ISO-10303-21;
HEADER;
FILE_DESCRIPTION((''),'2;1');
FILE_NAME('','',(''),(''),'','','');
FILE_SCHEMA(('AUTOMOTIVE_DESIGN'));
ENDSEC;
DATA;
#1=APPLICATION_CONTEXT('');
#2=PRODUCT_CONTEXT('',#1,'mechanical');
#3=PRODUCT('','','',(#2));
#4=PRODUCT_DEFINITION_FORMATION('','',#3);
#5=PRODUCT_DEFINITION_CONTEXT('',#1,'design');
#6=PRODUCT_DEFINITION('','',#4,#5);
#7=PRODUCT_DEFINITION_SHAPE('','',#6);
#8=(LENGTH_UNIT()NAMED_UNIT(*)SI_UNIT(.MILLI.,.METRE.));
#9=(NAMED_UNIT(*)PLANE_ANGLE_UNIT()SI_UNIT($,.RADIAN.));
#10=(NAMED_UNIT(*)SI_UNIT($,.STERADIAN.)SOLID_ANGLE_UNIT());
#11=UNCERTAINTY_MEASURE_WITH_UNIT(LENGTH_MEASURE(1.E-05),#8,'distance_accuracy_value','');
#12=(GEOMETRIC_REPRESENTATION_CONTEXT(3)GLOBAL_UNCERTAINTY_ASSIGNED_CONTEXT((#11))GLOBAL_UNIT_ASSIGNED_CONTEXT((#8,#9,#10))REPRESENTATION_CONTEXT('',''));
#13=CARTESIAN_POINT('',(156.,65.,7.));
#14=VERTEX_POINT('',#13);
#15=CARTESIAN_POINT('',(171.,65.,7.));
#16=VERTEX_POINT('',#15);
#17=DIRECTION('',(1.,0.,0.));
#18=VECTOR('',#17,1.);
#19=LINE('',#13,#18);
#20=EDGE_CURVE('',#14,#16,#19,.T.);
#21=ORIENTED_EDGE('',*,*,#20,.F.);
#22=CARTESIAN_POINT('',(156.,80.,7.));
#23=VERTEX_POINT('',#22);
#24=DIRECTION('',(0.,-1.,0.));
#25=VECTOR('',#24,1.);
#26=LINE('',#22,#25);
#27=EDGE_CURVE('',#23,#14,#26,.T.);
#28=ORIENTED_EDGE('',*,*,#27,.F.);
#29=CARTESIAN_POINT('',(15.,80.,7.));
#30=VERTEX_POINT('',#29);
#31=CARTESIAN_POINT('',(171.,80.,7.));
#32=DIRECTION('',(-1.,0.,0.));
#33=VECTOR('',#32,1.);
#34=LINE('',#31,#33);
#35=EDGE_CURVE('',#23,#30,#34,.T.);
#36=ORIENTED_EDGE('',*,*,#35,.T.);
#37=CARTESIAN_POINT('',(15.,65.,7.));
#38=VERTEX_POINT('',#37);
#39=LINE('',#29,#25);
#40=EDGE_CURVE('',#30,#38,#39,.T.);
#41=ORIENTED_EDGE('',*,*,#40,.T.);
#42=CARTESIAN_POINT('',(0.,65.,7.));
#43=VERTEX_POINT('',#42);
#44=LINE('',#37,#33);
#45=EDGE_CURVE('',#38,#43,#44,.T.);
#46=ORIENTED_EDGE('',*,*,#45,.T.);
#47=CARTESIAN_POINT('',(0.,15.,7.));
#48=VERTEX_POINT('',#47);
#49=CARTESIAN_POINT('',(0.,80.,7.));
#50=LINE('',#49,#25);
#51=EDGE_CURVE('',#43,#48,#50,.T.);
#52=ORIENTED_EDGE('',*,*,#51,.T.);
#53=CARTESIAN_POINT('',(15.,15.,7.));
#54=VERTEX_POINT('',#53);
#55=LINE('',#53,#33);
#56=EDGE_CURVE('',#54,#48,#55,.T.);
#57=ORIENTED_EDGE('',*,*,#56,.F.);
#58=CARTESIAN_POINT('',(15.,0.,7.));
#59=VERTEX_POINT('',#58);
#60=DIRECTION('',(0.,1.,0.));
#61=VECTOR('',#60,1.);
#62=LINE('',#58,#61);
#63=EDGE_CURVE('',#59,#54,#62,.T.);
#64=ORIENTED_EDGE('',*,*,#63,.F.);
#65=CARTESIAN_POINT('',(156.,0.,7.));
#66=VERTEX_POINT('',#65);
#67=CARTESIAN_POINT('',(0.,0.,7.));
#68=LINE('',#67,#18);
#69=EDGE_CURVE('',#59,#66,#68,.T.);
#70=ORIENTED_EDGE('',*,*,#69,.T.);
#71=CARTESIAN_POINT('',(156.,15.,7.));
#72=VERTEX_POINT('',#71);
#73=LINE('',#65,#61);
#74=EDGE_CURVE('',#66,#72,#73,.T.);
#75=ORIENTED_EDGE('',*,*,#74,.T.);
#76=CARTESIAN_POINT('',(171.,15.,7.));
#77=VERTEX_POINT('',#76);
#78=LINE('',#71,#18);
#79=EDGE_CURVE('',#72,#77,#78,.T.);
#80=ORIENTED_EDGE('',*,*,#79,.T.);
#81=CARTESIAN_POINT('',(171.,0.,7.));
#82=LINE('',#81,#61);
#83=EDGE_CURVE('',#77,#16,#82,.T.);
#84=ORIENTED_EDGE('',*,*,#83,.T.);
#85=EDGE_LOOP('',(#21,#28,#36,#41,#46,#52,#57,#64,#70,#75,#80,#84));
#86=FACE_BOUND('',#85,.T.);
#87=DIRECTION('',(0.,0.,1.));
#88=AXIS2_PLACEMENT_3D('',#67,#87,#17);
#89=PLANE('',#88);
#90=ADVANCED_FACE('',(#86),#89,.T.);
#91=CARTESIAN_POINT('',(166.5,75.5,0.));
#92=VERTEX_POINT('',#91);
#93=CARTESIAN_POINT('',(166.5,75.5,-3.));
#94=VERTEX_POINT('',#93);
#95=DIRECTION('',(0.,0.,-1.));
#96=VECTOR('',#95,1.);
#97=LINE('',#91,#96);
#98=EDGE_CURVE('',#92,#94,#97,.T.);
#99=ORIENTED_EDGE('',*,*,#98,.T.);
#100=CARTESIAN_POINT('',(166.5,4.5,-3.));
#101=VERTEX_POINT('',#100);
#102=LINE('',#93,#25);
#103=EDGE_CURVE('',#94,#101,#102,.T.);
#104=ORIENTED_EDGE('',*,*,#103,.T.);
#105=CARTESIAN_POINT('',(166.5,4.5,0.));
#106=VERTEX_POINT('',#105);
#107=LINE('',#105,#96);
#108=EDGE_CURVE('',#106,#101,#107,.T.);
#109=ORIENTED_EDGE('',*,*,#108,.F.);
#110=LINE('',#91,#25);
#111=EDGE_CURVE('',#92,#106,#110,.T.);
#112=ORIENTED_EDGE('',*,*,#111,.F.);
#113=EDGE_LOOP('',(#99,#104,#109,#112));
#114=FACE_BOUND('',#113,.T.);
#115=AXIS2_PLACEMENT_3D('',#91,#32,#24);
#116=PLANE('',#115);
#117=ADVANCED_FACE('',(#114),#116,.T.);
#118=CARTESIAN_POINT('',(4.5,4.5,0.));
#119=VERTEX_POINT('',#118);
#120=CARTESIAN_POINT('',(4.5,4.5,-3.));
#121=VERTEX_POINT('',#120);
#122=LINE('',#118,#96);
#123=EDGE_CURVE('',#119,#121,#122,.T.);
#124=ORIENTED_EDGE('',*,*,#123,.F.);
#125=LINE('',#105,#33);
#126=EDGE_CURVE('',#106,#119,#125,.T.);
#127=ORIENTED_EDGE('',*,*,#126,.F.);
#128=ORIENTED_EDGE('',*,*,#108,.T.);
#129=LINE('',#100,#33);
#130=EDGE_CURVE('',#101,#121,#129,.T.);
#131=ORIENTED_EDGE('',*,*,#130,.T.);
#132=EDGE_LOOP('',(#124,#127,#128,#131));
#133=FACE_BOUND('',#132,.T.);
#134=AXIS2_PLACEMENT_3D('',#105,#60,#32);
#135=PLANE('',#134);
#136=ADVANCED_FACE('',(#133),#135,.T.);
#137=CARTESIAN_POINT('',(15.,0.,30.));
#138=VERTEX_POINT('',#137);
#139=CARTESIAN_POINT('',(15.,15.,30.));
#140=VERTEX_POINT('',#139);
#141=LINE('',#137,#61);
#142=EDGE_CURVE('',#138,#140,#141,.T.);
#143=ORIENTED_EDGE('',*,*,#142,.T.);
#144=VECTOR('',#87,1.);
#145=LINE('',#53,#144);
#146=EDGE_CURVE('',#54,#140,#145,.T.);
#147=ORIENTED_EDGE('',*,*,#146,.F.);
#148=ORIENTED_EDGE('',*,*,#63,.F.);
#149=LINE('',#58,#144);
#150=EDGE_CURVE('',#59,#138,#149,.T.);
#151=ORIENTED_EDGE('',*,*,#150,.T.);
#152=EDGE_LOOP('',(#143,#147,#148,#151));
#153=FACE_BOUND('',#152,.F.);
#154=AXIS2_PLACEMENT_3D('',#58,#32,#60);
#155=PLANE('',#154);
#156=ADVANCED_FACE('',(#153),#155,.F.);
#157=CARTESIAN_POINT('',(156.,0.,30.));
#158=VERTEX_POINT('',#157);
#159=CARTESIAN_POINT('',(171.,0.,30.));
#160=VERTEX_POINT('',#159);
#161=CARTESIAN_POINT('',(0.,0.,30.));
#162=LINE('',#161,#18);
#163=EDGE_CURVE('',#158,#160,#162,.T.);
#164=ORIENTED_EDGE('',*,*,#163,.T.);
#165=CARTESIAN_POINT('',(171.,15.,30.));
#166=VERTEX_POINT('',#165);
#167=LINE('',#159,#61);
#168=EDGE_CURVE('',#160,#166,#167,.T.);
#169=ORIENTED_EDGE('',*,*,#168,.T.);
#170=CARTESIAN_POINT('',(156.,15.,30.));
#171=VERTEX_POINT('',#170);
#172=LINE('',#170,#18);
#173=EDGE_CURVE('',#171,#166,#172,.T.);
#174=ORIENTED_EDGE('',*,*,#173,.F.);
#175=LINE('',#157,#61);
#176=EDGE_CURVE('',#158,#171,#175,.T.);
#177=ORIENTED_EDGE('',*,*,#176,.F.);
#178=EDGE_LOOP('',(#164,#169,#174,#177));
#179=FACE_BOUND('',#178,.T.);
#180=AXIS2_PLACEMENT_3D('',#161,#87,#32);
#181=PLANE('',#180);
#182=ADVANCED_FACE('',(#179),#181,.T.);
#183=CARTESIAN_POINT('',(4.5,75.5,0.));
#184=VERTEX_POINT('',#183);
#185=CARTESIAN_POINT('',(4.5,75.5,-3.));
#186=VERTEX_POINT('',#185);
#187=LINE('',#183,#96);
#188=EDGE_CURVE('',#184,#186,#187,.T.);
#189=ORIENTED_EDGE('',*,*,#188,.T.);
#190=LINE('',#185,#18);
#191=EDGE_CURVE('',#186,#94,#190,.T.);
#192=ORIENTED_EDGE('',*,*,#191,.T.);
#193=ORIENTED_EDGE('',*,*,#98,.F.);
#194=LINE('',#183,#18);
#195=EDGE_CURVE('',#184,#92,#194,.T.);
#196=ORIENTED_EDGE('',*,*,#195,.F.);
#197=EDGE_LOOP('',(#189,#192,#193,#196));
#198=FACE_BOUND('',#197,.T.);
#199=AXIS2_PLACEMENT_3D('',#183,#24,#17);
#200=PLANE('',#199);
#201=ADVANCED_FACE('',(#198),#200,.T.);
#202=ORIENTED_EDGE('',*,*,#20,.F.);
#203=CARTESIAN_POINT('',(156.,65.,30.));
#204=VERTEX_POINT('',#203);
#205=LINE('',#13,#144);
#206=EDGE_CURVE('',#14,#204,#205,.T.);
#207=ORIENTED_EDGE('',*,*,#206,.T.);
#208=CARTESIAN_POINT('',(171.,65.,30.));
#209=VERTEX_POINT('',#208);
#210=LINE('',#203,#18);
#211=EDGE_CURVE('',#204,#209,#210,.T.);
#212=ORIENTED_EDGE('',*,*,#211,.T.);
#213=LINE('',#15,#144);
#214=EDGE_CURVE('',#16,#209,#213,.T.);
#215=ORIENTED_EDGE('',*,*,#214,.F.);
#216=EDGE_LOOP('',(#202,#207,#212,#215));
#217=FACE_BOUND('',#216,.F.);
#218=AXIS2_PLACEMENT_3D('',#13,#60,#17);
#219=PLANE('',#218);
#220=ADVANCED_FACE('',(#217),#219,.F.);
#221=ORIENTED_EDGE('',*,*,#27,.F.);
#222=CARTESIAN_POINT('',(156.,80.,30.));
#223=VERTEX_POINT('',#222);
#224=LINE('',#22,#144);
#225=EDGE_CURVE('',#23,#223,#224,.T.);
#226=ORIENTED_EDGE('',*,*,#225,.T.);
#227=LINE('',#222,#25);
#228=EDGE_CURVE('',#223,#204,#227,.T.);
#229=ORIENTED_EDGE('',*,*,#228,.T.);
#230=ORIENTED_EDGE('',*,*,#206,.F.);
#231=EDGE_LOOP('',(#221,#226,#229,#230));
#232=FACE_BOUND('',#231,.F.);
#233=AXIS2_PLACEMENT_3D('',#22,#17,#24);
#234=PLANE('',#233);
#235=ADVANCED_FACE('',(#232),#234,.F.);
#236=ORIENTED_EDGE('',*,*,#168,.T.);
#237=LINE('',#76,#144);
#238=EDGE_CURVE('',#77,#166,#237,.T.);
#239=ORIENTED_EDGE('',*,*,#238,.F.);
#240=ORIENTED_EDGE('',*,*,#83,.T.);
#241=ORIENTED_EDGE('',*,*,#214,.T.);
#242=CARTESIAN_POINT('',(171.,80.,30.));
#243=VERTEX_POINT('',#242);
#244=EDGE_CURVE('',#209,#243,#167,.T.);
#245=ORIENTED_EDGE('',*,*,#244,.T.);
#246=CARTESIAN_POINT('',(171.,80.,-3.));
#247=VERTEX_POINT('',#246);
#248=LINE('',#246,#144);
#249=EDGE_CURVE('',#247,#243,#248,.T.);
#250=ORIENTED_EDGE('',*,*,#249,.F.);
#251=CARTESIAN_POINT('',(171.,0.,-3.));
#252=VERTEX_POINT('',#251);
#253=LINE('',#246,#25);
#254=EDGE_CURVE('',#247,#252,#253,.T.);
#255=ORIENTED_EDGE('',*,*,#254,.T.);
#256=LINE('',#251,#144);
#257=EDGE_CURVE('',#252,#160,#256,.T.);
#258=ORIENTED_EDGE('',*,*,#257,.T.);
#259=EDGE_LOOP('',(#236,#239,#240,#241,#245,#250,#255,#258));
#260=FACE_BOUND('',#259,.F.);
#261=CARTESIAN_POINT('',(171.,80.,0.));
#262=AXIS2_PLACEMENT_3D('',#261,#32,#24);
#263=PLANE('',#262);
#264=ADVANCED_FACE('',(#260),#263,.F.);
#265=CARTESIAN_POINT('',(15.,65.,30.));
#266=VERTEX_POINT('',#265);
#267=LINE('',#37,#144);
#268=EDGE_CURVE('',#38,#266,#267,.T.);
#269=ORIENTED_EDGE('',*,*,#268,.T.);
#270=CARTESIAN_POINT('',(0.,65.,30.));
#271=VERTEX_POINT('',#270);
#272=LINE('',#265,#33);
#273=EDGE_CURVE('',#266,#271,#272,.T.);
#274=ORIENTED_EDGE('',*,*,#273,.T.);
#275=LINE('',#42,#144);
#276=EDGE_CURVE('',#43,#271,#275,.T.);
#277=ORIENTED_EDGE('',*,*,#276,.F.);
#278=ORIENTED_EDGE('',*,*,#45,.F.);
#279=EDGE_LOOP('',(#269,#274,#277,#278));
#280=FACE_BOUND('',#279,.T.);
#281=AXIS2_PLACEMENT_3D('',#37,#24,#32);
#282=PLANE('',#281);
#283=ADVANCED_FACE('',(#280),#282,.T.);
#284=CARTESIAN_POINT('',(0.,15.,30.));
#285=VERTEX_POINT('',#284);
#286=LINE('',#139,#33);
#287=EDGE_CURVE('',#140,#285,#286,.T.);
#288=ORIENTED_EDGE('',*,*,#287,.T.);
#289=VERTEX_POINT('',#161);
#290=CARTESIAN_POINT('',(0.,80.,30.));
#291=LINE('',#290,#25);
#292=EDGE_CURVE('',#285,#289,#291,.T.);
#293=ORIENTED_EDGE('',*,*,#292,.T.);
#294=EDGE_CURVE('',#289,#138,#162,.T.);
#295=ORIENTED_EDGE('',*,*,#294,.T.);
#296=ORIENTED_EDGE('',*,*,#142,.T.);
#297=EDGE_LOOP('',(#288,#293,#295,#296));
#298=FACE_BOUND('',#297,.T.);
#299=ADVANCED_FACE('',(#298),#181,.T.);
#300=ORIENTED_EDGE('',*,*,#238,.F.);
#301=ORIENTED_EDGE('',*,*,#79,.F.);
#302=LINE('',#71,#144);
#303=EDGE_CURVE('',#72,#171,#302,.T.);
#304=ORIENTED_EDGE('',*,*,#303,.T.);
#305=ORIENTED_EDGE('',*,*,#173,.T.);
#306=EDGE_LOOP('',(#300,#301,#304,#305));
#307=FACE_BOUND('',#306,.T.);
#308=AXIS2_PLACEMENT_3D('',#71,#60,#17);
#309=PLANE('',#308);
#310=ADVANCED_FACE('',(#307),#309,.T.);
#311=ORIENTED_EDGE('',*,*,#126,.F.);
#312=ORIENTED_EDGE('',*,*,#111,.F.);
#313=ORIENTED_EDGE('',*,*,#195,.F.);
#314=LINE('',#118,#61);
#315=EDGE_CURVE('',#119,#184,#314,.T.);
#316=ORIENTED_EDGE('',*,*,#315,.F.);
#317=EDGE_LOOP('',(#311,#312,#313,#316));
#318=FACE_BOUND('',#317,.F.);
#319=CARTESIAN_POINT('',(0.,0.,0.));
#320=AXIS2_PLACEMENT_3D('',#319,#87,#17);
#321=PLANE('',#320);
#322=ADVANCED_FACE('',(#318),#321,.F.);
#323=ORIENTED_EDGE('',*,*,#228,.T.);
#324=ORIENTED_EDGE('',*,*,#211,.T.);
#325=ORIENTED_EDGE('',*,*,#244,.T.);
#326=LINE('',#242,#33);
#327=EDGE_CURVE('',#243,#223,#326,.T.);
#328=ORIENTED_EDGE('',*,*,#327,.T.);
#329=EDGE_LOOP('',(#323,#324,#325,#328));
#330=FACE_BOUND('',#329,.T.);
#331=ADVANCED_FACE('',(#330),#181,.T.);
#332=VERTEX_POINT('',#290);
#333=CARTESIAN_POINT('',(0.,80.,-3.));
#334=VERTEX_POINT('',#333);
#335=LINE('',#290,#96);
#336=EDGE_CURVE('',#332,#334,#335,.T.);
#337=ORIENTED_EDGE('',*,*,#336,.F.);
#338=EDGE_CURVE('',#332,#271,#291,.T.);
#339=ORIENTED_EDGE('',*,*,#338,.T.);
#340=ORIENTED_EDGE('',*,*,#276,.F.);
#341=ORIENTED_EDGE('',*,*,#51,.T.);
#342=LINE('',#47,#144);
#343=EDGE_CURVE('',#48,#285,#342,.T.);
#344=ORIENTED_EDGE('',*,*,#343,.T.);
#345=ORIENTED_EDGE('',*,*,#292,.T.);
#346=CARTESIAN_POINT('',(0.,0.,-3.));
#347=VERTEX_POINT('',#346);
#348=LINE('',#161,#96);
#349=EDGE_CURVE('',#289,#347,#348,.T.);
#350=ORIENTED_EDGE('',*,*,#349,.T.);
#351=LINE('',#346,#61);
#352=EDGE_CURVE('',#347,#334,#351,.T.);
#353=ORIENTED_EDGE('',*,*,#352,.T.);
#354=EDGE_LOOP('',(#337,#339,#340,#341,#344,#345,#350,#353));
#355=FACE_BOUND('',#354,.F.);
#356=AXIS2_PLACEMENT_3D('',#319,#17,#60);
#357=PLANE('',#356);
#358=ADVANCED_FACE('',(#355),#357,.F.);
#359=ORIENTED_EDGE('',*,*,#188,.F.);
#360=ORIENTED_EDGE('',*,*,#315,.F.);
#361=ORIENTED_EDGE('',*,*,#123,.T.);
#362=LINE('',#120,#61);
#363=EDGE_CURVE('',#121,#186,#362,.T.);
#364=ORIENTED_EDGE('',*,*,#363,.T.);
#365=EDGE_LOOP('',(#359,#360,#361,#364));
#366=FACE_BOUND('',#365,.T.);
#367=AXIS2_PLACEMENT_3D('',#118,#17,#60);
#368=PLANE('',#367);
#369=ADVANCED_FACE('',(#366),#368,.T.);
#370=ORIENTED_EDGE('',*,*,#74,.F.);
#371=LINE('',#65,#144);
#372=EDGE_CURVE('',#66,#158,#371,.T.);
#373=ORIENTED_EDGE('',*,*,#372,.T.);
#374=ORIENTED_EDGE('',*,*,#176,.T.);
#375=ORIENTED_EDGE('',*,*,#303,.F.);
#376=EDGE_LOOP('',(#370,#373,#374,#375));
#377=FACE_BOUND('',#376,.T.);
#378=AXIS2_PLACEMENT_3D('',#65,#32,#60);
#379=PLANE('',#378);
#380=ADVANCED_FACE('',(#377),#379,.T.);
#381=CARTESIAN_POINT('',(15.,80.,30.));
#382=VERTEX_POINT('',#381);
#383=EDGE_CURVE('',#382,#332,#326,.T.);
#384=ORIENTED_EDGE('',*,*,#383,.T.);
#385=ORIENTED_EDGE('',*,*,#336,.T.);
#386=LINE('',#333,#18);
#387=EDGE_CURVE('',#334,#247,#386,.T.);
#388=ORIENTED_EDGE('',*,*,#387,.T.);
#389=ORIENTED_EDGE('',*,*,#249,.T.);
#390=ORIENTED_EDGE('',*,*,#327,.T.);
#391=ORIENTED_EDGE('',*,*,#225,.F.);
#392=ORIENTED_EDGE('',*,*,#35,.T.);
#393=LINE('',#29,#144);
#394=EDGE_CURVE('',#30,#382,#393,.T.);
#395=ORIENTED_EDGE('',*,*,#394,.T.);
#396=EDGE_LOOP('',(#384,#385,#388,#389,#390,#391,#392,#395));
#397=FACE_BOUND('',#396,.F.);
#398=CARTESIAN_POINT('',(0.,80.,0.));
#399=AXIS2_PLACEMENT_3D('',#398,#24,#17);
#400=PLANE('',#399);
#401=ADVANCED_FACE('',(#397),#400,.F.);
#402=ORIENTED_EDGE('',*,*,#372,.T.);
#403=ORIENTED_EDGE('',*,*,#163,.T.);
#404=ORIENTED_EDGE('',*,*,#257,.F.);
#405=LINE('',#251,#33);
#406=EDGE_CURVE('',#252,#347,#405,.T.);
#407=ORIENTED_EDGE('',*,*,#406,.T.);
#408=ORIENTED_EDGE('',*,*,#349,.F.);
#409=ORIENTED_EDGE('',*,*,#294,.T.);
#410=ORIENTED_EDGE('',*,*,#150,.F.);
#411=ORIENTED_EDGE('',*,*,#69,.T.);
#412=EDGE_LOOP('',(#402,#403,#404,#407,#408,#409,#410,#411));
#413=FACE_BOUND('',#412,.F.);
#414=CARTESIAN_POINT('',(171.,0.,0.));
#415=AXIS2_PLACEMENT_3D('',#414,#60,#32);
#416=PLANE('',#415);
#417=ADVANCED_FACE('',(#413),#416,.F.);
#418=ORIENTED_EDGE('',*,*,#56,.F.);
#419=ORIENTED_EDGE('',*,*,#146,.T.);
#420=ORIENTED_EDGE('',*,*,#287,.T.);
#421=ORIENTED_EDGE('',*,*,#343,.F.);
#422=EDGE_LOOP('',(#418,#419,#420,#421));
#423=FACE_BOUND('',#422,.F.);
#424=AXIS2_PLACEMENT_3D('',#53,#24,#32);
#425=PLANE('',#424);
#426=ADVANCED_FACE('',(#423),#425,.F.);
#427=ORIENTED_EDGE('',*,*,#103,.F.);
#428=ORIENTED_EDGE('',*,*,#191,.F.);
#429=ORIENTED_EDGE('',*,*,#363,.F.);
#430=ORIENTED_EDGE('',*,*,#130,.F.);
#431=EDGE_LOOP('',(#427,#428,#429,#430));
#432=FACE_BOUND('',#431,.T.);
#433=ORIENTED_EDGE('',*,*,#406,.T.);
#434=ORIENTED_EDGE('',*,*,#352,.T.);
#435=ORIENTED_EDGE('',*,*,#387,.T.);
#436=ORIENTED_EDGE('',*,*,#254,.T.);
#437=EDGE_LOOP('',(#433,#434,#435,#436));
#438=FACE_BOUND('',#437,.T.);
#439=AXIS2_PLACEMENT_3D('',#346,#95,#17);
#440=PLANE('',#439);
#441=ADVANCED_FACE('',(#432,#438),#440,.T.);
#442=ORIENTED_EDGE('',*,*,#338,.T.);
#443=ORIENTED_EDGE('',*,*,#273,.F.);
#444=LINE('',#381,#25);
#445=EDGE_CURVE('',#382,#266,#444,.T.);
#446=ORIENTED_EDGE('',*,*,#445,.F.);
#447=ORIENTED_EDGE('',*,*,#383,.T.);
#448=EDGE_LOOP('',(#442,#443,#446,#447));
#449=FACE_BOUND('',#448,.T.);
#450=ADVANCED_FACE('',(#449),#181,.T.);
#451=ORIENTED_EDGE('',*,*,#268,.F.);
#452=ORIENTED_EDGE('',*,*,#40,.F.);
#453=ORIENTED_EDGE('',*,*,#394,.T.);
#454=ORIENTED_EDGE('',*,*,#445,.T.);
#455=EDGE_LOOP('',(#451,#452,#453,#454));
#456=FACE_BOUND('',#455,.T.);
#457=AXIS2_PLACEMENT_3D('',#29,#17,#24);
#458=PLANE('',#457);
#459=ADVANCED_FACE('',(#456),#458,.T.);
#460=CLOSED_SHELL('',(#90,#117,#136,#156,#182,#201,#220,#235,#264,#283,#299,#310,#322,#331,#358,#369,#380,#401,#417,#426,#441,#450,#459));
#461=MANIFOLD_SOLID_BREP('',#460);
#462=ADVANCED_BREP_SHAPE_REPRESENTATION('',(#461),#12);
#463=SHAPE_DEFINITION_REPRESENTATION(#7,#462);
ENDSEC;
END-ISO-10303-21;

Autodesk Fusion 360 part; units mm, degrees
sketch "Sketch1" plane through (0, 0, 0) normal (0, 0, 1) x (1, 0, 0)
  line L0 (0, 0) -> (171, 0)
  line L1 (171, 0) -> (171, 80)
  line L2 (171, 80) -> (0, 80)
  line L3 (0, 80) -> (0, 0)
  dimension "d1" = 80
  dimension "d2" = 171
extrude "Extrude1" add sketch "Sketch1" along normal blind 7
sketch "Sketch2" plane through (0, 0, 7) normal (0, 0, 1) x (-1, 0, 0)
  line L0 (0, -80) -> (0, 0)
  line L1 (0, 0) -> (-171, 0)
  line L2 (-171, 0) -> (-171, -80)
  line L3 (-171, -80) -> (0, -80)
  line L4 (0, 0) -> (-15, 0)
  line L5 (-15, 0) -> (-15, -15)
  line L6 (-15, -15) -> (0, -15)
  line L7 (0, -15) -> (0, 0)
  line L8 (-85.5, 0) -> (-85.5, -80)
  line L9 (-156, 0) -> (-156, -15)
  line L10 (-156, -15) -> (-171, -15)
  line L11 (-171, -15) -> (-171, 0)
  line L12 (-171, 0) -> (-156, 0)
  line L13 (0, -40) -> (-171, -40)
  line L14 (-15, -65) -> (0, -65)
  line L15 (0, -65) -> (0, -80)
  line L16 (0, -80) -> (-15, -80)
  line L17 (-15, -80) -> (-15, -65)
  line L18 (-156, -80) -> (-156, -65)
  line L19 (-156, -65) -> (-171, -65)
  line L20 (-171, -65) -> (-171, -80)
  line L21 (-171, -80) -> (-156, -80)
  dimension "d5" = 15
  dimension "d6" = 15
extrude "Extrude2" add sketch "Sketch2" along normal blind 23 contours L0 L3 L14 L15 L16 L17 | L0 L1 L4 L5 L6 L7 | L2 L3 L18 L19 L20 L21 | L1 L2 L9 L10 L11 L12
sketch "Sketch3" plane through (0, 0, 0) normal (0, 0, -1) x (1, 0, 0)
  line L0 (0, 0) -> (0, -80)
  line L1 (0, -80) -> (171, -80)
  line L2 (171, -80) -> (171, 0)
  line L3 (171, 0) -> (0, 0)
  line L4 (166.5, -4.5) -> (4.5, -4.5)
  line L5 (4.5, -4.5) -> (4.5, -75.5)
  line L6 (4.5, -75.5) -> (166.5, -75.5)
  line L7 (166.5, -75.5) -> (166.5, -4.5)
  dimension "d9" = 4.5
  dimension "d10" = 4.5
  dimension "d11" = 4.5
  dimension "d12" = 4.5
extrude "Extrude3" add sketch "Sketch3" along normal blind 3
